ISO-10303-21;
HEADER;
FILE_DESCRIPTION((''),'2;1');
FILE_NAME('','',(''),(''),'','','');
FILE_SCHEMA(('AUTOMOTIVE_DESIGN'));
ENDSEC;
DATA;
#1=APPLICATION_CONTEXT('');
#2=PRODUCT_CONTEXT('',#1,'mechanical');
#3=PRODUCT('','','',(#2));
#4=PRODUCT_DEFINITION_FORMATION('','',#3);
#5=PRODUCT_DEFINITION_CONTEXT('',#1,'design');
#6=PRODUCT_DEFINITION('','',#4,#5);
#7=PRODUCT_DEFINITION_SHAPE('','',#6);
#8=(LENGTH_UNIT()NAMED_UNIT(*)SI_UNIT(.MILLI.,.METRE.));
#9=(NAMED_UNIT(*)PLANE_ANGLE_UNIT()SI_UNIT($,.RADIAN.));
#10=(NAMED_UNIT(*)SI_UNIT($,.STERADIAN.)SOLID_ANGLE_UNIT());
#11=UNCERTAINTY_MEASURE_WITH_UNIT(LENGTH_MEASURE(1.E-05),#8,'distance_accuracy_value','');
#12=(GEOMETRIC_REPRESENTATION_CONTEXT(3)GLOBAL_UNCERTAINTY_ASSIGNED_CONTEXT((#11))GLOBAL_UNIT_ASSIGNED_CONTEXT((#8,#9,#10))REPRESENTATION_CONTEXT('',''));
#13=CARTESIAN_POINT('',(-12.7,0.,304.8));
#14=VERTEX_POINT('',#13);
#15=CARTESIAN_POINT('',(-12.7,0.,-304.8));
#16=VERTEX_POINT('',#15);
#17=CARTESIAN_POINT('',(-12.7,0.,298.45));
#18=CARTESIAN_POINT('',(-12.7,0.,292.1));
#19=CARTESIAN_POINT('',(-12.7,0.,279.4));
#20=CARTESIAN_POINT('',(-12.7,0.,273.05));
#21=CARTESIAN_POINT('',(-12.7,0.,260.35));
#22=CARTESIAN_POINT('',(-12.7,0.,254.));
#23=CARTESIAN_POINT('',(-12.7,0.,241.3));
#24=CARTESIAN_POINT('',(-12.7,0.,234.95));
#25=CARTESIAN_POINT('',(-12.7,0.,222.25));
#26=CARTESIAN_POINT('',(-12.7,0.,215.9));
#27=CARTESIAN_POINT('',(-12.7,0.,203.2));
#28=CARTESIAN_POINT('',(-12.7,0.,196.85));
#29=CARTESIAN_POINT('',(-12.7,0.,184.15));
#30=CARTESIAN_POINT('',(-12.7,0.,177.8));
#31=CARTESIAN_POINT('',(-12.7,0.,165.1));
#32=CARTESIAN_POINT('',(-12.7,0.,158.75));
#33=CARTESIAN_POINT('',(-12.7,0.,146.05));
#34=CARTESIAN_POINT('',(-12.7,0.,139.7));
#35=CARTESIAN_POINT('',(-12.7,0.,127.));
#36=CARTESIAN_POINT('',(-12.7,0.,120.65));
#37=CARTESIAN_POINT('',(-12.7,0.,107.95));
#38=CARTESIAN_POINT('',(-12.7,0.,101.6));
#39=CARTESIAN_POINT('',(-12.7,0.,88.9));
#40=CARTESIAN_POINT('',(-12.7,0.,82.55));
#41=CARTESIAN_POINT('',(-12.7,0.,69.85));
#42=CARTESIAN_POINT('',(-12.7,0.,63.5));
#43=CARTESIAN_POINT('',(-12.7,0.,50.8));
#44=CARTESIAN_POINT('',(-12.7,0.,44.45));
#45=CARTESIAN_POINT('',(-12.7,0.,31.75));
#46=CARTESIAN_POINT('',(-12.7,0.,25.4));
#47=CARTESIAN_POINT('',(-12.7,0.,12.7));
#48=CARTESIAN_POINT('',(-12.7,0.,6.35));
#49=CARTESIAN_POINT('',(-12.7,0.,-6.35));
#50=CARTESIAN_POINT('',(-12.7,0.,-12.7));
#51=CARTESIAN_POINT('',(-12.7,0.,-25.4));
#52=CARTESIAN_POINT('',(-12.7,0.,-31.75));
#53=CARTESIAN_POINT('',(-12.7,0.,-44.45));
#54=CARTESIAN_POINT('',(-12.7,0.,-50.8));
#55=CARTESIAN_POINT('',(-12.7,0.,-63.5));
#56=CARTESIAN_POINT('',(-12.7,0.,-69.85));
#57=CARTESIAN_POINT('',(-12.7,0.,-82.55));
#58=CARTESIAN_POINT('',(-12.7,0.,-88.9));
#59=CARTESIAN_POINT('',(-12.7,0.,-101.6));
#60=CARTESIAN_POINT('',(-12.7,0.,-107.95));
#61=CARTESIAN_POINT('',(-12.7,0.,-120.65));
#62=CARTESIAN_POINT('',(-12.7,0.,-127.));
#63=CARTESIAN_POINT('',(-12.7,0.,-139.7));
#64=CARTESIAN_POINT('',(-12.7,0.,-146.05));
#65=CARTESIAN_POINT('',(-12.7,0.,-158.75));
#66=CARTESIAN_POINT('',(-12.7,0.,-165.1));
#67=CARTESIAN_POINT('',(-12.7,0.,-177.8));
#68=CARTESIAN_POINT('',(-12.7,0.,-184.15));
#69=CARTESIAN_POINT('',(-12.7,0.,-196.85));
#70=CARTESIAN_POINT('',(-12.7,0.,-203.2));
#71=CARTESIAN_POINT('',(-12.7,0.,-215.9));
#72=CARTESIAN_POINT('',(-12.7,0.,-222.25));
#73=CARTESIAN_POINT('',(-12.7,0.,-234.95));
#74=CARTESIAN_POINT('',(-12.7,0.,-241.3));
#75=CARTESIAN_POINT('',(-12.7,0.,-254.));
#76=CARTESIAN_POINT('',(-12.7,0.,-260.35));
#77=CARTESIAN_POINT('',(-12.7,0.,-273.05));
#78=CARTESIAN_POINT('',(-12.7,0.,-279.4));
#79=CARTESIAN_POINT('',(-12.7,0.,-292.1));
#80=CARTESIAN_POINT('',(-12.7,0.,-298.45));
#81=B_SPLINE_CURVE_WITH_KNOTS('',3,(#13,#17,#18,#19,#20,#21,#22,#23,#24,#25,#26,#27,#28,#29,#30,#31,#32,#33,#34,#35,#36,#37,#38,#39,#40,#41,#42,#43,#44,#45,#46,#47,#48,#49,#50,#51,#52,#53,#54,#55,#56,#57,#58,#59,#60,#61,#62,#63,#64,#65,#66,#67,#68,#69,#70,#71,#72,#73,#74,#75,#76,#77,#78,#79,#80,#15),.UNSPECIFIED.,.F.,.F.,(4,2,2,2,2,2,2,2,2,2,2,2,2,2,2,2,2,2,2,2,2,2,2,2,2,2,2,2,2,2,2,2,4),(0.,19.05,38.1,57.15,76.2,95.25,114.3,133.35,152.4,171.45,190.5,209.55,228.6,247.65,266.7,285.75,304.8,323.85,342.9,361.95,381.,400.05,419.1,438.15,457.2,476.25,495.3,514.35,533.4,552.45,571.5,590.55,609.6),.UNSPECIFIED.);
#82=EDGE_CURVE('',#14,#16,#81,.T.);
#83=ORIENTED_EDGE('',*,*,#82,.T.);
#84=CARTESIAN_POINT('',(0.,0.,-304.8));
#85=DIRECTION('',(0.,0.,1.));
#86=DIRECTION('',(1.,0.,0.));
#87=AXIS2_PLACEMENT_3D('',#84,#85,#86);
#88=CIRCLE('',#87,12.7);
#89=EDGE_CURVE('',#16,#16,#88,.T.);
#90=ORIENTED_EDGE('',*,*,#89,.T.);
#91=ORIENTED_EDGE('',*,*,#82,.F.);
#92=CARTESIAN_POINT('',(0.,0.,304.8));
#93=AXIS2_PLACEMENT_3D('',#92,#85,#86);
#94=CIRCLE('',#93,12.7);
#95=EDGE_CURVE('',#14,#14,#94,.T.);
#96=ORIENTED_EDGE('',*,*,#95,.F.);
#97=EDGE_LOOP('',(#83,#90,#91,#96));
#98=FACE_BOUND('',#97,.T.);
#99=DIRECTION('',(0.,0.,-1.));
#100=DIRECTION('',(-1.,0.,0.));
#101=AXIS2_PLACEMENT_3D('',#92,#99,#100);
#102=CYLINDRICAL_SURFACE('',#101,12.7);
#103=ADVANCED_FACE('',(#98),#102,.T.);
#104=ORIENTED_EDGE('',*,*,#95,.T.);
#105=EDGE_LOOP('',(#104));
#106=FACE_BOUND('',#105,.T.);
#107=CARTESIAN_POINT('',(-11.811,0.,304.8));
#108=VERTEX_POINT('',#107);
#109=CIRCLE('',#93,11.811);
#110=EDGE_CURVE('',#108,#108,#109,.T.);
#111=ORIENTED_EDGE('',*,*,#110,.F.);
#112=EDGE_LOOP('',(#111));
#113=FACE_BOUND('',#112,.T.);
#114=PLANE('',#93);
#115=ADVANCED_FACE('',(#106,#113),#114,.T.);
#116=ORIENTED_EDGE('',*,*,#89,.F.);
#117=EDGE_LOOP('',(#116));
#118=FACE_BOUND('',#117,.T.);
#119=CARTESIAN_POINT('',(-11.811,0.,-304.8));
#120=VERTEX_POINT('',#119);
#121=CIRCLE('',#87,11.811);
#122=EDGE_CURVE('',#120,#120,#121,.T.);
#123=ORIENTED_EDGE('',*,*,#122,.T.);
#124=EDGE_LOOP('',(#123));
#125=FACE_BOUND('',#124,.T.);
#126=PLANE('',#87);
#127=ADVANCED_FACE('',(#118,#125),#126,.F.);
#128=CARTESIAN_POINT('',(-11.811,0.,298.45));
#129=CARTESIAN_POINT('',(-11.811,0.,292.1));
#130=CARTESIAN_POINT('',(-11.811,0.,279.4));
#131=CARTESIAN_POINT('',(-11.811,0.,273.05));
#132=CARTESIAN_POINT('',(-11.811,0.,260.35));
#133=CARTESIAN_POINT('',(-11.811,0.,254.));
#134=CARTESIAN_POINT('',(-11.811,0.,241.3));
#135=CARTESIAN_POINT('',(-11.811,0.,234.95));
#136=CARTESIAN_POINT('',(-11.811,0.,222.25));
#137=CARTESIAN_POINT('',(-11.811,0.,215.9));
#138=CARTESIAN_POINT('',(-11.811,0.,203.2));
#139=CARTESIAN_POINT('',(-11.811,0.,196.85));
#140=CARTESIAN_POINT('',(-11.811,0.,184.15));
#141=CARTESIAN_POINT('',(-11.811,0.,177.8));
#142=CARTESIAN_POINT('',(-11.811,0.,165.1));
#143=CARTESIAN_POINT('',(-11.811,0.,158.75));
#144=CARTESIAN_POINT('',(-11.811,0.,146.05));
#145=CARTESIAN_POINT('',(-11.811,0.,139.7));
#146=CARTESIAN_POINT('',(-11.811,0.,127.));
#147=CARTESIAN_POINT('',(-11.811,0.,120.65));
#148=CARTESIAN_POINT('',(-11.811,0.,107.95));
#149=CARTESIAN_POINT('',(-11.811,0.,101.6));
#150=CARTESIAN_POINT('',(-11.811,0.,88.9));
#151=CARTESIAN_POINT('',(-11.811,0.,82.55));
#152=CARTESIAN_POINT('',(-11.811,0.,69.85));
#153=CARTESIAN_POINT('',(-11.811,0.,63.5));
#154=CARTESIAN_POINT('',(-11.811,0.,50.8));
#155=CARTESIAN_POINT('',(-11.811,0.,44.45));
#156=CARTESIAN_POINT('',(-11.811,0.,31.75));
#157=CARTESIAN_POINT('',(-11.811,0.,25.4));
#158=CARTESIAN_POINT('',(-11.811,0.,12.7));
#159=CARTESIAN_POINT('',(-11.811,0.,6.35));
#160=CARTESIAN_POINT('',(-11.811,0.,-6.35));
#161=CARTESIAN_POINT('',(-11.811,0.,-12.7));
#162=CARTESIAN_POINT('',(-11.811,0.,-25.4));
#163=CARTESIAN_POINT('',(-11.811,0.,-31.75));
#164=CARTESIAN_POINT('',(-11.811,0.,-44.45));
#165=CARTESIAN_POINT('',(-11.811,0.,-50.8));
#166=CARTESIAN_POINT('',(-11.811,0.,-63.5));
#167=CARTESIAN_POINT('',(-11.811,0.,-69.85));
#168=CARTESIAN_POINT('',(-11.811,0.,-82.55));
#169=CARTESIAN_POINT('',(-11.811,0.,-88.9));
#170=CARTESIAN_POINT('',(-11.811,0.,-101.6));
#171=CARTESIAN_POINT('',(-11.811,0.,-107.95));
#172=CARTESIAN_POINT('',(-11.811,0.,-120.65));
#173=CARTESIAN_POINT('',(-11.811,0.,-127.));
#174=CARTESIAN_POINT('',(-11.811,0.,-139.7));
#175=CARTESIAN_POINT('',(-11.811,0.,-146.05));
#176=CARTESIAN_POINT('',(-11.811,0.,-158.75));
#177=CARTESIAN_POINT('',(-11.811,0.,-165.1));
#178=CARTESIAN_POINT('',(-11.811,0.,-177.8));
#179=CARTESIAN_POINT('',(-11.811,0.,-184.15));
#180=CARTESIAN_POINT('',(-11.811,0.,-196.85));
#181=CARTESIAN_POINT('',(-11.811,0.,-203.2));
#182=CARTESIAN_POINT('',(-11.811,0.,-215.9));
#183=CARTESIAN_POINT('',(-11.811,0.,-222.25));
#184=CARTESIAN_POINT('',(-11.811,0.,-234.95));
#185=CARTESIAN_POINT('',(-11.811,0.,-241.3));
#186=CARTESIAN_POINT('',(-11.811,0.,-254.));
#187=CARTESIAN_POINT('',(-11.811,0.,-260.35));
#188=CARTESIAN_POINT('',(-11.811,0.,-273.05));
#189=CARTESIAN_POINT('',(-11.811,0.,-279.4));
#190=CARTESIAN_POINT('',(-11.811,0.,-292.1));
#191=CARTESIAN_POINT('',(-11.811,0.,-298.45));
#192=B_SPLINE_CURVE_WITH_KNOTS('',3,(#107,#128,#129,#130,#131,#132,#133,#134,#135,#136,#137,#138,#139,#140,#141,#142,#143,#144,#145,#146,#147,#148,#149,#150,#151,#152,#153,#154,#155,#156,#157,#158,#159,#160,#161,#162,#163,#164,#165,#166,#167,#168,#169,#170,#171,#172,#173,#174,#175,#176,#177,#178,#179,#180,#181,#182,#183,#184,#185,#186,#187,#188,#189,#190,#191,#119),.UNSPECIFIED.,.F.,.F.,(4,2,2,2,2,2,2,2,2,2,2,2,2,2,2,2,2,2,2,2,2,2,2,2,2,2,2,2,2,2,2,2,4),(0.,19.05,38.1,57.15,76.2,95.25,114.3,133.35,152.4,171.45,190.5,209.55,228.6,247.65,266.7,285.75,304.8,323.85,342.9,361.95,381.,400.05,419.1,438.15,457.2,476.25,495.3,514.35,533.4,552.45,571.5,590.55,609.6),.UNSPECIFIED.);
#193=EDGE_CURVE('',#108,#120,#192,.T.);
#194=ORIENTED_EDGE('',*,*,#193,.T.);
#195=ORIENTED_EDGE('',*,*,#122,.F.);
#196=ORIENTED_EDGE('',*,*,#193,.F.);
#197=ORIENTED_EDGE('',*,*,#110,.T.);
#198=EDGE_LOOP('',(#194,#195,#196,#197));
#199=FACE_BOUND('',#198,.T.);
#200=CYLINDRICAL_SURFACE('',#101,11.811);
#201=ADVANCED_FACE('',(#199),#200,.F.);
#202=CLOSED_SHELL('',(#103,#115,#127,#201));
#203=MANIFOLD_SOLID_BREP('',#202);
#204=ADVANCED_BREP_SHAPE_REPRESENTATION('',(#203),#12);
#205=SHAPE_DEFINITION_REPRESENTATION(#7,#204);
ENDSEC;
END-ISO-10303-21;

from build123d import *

# Parameters (mm, degrees)
SKETCH3_R           = 12.7
SKETCH3_R_2         = 11.811
BOSS_EXTRUDE1_DEPTH = 304.8


with BuildPart() as part:
    # Sketch3 → Boss-Extrude1 (new, symmetric)
    with BuildSketch(Plane.XY):
        with Locations(Location((0, 0, 0), (0, 0, 180))):
            Circle(SKETCH3_R)
        with Locations(Location((0, 0, 0), (0, 0, 180))):
            Circle(SKETCH3_R_2, mode=Mode.SUBTRACT)
    extrude(amount=BOSS_EXTRUDE1_DEPTH, both=True)


solid = part.part
